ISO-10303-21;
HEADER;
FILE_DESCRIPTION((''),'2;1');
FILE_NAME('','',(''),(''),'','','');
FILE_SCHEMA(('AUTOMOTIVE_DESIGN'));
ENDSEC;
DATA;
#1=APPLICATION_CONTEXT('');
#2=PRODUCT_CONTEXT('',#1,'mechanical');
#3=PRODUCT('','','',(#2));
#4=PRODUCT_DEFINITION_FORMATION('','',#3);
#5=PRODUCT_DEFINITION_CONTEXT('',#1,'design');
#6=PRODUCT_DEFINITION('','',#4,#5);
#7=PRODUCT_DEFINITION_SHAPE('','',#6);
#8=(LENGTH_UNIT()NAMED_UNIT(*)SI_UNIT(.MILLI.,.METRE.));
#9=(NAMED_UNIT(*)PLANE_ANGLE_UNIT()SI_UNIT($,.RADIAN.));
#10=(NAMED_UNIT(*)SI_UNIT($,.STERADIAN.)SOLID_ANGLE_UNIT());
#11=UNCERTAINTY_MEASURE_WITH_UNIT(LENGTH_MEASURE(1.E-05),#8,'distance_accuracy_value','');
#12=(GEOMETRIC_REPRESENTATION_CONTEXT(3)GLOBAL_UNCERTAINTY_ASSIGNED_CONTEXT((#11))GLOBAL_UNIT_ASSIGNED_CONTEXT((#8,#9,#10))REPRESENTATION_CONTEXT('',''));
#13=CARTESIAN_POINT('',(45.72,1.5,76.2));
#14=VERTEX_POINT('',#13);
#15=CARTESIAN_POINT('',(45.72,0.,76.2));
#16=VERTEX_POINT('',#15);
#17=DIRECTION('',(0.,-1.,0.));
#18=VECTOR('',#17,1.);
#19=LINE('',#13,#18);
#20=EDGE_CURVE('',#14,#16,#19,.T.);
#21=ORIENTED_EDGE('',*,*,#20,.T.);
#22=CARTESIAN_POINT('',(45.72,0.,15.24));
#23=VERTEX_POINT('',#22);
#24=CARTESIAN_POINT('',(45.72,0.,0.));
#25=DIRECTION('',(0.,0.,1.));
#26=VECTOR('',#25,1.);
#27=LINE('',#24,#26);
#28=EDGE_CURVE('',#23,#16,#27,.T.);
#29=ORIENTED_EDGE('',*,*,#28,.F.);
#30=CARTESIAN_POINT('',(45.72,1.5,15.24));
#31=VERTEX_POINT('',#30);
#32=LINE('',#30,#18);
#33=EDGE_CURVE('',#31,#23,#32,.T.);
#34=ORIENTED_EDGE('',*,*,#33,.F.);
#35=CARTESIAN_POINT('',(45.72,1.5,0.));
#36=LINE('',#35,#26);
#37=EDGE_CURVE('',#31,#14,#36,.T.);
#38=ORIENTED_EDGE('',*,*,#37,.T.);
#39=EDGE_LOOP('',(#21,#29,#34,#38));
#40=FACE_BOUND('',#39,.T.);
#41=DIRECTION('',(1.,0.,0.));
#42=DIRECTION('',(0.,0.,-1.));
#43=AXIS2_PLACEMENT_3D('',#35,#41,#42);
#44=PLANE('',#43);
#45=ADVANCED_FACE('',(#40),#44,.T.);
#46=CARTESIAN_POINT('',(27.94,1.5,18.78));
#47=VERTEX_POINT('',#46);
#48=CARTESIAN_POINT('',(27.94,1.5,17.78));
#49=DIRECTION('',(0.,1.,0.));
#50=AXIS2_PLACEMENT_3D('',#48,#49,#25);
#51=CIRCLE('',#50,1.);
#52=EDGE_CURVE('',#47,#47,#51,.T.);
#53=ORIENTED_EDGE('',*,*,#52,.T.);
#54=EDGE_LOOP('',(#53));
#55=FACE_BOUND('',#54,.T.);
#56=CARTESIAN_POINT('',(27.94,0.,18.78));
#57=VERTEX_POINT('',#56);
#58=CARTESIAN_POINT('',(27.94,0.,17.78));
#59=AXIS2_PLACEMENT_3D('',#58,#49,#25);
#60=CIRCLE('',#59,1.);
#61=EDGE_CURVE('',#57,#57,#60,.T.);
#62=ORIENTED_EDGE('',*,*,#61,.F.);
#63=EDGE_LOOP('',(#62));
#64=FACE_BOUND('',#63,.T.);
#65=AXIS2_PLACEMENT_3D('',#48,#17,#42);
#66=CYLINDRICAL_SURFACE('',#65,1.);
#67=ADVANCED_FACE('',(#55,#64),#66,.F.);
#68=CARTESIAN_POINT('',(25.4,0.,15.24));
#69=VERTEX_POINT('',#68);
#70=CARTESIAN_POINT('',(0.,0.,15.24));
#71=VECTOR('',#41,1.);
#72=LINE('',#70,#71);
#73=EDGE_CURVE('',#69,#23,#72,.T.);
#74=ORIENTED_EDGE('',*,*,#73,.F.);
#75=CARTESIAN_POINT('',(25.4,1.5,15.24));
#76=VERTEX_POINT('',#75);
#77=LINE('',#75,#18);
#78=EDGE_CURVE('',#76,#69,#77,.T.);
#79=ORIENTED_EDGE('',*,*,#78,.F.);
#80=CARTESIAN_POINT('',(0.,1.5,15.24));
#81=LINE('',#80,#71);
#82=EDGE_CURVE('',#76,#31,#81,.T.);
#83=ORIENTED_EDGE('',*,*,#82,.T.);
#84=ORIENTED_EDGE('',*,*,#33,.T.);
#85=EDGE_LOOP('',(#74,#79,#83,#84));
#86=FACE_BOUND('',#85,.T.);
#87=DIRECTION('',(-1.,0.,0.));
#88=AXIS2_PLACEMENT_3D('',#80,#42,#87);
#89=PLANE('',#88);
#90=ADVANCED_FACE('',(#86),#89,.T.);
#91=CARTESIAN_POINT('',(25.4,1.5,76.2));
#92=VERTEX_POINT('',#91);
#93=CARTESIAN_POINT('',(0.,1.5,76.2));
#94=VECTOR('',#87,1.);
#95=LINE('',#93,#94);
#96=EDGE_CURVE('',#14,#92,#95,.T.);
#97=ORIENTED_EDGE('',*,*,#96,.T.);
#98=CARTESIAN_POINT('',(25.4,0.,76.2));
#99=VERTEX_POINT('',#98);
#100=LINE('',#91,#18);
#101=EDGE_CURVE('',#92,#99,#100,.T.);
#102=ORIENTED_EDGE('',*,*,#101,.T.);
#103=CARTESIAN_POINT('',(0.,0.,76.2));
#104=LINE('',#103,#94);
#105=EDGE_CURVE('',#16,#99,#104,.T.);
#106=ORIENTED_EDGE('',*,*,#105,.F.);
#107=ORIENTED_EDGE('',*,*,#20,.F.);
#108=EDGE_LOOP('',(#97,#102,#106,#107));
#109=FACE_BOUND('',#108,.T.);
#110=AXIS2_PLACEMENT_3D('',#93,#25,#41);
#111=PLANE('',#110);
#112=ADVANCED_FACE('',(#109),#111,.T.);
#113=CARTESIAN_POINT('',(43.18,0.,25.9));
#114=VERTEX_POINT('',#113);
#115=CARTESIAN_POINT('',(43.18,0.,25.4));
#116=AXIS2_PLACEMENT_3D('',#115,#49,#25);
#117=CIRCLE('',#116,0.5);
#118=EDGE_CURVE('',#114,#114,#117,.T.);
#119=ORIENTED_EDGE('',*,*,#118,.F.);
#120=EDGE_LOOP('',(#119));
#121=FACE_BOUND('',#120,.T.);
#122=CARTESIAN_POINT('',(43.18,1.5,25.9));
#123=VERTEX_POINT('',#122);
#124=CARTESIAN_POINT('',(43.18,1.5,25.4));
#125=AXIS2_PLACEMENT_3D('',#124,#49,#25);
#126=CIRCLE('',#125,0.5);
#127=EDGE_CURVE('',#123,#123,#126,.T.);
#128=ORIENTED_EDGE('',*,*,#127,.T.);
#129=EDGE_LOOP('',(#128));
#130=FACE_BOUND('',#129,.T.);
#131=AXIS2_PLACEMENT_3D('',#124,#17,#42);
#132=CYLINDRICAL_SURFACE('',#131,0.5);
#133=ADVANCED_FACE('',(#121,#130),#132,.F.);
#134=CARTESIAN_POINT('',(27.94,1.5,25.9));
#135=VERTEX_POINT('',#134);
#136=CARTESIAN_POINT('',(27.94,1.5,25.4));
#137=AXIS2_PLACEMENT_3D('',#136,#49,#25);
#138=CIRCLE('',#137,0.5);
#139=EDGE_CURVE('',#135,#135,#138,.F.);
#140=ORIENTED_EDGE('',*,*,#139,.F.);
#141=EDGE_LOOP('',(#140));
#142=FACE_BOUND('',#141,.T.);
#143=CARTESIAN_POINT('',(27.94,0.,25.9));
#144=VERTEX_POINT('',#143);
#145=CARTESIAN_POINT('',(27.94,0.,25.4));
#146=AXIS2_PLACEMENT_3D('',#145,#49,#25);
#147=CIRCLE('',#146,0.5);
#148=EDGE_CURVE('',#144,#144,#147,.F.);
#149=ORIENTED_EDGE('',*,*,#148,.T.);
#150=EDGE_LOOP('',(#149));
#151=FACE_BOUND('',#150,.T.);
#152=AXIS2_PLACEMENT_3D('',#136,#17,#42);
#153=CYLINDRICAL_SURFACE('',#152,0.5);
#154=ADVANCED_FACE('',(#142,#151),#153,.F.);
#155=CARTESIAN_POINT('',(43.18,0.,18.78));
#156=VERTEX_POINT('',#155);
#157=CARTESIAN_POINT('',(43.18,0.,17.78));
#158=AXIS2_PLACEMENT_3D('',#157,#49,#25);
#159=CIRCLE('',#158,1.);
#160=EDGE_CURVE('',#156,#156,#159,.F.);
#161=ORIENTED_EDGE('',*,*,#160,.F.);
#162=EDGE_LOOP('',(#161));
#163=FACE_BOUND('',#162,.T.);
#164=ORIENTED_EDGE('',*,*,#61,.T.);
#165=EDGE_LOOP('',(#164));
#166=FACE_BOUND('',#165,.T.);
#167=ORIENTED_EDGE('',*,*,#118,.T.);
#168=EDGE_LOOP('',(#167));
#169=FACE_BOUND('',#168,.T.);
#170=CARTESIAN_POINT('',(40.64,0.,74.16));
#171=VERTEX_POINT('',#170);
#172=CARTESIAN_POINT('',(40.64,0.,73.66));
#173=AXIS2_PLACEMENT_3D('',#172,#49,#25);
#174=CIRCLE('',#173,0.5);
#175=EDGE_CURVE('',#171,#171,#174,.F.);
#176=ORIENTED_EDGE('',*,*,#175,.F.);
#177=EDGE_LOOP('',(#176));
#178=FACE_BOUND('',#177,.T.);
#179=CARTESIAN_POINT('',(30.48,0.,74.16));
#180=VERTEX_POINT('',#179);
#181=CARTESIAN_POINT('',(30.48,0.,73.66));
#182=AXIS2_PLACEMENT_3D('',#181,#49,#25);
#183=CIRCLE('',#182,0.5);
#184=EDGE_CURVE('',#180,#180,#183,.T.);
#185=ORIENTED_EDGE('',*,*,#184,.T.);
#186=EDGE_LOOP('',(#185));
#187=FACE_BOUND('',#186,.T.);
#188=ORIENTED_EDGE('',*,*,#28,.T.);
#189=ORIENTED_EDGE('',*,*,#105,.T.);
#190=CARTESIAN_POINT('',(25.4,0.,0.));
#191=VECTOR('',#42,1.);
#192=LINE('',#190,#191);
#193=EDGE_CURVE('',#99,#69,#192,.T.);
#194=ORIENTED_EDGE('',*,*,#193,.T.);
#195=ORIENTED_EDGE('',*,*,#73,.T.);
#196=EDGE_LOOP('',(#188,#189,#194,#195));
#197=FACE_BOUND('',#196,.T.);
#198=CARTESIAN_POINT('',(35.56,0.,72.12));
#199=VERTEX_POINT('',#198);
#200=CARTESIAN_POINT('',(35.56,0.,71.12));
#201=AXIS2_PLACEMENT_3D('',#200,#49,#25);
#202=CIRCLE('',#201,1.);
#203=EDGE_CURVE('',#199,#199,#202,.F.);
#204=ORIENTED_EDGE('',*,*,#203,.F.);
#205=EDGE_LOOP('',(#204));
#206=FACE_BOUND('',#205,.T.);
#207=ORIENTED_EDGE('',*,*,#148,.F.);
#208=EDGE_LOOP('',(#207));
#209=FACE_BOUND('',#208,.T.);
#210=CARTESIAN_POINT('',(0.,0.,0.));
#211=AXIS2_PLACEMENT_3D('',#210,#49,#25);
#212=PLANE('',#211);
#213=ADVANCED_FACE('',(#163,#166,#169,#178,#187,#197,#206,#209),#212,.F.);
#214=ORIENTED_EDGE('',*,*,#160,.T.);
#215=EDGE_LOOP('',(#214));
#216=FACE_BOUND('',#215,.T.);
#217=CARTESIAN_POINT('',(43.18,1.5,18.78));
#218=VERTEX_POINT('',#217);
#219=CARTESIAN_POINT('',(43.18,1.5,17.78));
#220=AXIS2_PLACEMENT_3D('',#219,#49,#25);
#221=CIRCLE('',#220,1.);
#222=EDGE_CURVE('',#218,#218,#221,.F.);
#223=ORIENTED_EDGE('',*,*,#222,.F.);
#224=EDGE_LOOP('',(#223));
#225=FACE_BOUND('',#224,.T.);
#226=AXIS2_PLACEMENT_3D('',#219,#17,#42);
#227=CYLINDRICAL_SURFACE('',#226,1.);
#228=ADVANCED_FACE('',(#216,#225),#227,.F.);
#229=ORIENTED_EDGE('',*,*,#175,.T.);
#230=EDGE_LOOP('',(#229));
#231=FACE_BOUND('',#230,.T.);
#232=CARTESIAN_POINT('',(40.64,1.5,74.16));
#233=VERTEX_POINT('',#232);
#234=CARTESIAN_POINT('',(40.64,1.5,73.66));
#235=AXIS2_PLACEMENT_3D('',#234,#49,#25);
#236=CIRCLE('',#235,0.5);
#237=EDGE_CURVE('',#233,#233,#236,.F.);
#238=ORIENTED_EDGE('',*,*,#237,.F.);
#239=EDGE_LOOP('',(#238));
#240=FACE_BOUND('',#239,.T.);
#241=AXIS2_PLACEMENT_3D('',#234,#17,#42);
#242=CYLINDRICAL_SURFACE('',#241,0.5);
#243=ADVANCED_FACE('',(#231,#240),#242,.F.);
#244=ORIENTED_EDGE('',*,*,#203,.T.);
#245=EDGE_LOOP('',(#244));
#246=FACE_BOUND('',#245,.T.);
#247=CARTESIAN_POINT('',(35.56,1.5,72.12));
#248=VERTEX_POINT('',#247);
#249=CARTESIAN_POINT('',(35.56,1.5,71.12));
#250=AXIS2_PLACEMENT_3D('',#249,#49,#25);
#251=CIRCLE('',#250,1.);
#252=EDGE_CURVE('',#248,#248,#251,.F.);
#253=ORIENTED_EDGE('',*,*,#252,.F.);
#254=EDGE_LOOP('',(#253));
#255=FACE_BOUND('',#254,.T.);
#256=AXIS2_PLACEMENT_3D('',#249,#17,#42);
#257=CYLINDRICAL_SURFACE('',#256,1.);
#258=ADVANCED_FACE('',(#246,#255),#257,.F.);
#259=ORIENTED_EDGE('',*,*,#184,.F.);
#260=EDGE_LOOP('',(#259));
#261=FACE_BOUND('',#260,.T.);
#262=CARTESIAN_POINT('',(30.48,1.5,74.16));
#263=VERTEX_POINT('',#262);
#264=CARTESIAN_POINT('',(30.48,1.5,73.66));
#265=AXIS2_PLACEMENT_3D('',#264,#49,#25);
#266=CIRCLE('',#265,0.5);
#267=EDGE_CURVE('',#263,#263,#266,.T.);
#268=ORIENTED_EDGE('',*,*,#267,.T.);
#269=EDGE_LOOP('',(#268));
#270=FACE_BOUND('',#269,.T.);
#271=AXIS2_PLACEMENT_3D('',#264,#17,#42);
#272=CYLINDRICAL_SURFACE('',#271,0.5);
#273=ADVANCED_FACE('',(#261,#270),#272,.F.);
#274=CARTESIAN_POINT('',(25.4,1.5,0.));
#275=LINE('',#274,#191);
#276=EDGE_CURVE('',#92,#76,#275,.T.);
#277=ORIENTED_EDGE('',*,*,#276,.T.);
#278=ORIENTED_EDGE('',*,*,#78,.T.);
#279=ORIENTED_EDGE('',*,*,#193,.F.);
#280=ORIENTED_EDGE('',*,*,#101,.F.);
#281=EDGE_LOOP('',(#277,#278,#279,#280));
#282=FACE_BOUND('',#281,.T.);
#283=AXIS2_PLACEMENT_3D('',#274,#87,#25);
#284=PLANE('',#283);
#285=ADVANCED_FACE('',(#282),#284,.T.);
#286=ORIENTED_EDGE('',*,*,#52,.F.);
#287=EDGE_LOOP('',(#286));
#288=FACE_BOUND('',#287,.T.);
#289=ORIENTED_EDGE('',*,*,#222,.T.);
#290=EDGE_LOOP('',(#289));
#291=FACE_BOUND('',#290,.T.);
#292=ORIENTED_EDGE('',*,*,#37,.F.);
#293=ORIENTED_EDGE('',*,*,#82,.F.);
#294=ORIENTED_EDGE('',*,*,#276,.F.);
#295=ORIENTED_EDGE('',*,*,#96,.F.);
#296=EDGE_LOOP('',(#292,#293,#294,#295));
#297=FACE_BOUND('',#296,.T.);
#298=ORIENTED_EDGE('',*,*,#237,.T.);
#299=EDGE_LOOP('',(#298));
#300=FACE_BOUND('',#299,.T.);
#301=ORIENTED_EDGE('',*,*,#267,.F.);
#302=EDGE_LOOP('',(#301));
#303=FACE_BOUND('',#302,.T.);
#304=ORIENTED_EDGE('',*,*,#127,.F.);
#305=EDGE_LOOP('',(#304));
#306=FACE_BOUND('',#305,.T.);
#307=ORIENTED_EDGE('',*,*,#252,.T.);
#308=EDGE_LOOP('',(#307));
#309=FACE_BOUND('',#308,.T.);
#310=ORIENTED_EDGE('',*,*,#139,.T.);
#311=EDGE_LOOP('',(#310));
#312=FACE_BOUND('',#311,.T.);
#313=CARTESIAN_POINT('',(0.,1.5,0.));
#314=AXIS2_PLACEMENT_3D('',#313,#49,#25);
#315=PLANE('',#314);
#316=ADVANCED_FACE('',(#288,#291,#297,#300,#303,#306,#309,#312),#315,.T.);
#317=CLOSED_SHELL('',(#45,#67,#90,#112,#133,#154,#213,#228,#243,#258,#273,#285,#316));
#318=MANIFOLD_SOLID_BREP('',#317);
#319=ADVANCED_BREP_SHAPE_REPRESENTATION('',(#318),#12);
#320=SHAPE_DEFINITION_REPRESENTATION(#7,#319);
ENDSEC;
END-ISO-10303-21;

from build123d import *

# Parameters (mm, degrees)
SKETCH1_W           = 20.32
SKETCH1_H           = 60.96
SKETCH1_R           = 0.5
SKETCH1_R_2         = 1
BOSS_EXTRUDE1_DEPTH = 1.5


with BuildPart() as part:
    # Sketch1 → Boss-Extrude1 (new body)
    with BuildSketch(Plane(origin=(0, 0, 0), x_dir=(1, 0, 0), z_dir=(0, 1, 0))):
        with Locations((35.56, -45.72)):
            Rectangle(SKETCH1_W, SKETCH1_H)
        with Locations(Location((30.48, -73.66, 0), (0, 0, 270))):  # turned: the seam where the file's is
            Circle(SKETCH1_R, mode=Mode.SUBTRACT)
        with Locations(Location((35.56, -71.12, 0), (0, 0, 270))):  # turned: the seam where the file's is
            Circle(SKETCH1_R_2, mode=Mode.SUBTRACT)
        with Locations(Location((40.64, -73.66, 0), (0, 0, 270))):  # turned: the seam where the file's is
            Circle(SKETCH1_R, mode=Mode.SUBTRACT)
        with Locations(Location((27.94, -25.4, 0), (0, 0, 270))):  # turned: the seam where the file's is
            Circle(SKETCH1_R, mode=Mode.SUBTRACT)
        with Locations(Location((27.94, -17.78, 0), (0, 0, 270))):  # turned: the seam where the file's is
            Circle(SKETCH1_R_2, mode=Mode.SUBTRACT)
        with Locations(Location((43.18, -25.4, 0), (0, 0, 270))):  # turned: the seam where the file's is
            Circle(SKETCH1_R, mode=Mode.SUBTRACT)
        with Locations(Location((43.18, -17.78, 0), (0, 0, 270))):  # turned: the seam where the file's is
            Circle(SKETCH1_R_2, mode=Mode.SUBTRACT)
    extrude(amount=BOSS_EXTRUDE1_DEPTH)


solid = part.part
